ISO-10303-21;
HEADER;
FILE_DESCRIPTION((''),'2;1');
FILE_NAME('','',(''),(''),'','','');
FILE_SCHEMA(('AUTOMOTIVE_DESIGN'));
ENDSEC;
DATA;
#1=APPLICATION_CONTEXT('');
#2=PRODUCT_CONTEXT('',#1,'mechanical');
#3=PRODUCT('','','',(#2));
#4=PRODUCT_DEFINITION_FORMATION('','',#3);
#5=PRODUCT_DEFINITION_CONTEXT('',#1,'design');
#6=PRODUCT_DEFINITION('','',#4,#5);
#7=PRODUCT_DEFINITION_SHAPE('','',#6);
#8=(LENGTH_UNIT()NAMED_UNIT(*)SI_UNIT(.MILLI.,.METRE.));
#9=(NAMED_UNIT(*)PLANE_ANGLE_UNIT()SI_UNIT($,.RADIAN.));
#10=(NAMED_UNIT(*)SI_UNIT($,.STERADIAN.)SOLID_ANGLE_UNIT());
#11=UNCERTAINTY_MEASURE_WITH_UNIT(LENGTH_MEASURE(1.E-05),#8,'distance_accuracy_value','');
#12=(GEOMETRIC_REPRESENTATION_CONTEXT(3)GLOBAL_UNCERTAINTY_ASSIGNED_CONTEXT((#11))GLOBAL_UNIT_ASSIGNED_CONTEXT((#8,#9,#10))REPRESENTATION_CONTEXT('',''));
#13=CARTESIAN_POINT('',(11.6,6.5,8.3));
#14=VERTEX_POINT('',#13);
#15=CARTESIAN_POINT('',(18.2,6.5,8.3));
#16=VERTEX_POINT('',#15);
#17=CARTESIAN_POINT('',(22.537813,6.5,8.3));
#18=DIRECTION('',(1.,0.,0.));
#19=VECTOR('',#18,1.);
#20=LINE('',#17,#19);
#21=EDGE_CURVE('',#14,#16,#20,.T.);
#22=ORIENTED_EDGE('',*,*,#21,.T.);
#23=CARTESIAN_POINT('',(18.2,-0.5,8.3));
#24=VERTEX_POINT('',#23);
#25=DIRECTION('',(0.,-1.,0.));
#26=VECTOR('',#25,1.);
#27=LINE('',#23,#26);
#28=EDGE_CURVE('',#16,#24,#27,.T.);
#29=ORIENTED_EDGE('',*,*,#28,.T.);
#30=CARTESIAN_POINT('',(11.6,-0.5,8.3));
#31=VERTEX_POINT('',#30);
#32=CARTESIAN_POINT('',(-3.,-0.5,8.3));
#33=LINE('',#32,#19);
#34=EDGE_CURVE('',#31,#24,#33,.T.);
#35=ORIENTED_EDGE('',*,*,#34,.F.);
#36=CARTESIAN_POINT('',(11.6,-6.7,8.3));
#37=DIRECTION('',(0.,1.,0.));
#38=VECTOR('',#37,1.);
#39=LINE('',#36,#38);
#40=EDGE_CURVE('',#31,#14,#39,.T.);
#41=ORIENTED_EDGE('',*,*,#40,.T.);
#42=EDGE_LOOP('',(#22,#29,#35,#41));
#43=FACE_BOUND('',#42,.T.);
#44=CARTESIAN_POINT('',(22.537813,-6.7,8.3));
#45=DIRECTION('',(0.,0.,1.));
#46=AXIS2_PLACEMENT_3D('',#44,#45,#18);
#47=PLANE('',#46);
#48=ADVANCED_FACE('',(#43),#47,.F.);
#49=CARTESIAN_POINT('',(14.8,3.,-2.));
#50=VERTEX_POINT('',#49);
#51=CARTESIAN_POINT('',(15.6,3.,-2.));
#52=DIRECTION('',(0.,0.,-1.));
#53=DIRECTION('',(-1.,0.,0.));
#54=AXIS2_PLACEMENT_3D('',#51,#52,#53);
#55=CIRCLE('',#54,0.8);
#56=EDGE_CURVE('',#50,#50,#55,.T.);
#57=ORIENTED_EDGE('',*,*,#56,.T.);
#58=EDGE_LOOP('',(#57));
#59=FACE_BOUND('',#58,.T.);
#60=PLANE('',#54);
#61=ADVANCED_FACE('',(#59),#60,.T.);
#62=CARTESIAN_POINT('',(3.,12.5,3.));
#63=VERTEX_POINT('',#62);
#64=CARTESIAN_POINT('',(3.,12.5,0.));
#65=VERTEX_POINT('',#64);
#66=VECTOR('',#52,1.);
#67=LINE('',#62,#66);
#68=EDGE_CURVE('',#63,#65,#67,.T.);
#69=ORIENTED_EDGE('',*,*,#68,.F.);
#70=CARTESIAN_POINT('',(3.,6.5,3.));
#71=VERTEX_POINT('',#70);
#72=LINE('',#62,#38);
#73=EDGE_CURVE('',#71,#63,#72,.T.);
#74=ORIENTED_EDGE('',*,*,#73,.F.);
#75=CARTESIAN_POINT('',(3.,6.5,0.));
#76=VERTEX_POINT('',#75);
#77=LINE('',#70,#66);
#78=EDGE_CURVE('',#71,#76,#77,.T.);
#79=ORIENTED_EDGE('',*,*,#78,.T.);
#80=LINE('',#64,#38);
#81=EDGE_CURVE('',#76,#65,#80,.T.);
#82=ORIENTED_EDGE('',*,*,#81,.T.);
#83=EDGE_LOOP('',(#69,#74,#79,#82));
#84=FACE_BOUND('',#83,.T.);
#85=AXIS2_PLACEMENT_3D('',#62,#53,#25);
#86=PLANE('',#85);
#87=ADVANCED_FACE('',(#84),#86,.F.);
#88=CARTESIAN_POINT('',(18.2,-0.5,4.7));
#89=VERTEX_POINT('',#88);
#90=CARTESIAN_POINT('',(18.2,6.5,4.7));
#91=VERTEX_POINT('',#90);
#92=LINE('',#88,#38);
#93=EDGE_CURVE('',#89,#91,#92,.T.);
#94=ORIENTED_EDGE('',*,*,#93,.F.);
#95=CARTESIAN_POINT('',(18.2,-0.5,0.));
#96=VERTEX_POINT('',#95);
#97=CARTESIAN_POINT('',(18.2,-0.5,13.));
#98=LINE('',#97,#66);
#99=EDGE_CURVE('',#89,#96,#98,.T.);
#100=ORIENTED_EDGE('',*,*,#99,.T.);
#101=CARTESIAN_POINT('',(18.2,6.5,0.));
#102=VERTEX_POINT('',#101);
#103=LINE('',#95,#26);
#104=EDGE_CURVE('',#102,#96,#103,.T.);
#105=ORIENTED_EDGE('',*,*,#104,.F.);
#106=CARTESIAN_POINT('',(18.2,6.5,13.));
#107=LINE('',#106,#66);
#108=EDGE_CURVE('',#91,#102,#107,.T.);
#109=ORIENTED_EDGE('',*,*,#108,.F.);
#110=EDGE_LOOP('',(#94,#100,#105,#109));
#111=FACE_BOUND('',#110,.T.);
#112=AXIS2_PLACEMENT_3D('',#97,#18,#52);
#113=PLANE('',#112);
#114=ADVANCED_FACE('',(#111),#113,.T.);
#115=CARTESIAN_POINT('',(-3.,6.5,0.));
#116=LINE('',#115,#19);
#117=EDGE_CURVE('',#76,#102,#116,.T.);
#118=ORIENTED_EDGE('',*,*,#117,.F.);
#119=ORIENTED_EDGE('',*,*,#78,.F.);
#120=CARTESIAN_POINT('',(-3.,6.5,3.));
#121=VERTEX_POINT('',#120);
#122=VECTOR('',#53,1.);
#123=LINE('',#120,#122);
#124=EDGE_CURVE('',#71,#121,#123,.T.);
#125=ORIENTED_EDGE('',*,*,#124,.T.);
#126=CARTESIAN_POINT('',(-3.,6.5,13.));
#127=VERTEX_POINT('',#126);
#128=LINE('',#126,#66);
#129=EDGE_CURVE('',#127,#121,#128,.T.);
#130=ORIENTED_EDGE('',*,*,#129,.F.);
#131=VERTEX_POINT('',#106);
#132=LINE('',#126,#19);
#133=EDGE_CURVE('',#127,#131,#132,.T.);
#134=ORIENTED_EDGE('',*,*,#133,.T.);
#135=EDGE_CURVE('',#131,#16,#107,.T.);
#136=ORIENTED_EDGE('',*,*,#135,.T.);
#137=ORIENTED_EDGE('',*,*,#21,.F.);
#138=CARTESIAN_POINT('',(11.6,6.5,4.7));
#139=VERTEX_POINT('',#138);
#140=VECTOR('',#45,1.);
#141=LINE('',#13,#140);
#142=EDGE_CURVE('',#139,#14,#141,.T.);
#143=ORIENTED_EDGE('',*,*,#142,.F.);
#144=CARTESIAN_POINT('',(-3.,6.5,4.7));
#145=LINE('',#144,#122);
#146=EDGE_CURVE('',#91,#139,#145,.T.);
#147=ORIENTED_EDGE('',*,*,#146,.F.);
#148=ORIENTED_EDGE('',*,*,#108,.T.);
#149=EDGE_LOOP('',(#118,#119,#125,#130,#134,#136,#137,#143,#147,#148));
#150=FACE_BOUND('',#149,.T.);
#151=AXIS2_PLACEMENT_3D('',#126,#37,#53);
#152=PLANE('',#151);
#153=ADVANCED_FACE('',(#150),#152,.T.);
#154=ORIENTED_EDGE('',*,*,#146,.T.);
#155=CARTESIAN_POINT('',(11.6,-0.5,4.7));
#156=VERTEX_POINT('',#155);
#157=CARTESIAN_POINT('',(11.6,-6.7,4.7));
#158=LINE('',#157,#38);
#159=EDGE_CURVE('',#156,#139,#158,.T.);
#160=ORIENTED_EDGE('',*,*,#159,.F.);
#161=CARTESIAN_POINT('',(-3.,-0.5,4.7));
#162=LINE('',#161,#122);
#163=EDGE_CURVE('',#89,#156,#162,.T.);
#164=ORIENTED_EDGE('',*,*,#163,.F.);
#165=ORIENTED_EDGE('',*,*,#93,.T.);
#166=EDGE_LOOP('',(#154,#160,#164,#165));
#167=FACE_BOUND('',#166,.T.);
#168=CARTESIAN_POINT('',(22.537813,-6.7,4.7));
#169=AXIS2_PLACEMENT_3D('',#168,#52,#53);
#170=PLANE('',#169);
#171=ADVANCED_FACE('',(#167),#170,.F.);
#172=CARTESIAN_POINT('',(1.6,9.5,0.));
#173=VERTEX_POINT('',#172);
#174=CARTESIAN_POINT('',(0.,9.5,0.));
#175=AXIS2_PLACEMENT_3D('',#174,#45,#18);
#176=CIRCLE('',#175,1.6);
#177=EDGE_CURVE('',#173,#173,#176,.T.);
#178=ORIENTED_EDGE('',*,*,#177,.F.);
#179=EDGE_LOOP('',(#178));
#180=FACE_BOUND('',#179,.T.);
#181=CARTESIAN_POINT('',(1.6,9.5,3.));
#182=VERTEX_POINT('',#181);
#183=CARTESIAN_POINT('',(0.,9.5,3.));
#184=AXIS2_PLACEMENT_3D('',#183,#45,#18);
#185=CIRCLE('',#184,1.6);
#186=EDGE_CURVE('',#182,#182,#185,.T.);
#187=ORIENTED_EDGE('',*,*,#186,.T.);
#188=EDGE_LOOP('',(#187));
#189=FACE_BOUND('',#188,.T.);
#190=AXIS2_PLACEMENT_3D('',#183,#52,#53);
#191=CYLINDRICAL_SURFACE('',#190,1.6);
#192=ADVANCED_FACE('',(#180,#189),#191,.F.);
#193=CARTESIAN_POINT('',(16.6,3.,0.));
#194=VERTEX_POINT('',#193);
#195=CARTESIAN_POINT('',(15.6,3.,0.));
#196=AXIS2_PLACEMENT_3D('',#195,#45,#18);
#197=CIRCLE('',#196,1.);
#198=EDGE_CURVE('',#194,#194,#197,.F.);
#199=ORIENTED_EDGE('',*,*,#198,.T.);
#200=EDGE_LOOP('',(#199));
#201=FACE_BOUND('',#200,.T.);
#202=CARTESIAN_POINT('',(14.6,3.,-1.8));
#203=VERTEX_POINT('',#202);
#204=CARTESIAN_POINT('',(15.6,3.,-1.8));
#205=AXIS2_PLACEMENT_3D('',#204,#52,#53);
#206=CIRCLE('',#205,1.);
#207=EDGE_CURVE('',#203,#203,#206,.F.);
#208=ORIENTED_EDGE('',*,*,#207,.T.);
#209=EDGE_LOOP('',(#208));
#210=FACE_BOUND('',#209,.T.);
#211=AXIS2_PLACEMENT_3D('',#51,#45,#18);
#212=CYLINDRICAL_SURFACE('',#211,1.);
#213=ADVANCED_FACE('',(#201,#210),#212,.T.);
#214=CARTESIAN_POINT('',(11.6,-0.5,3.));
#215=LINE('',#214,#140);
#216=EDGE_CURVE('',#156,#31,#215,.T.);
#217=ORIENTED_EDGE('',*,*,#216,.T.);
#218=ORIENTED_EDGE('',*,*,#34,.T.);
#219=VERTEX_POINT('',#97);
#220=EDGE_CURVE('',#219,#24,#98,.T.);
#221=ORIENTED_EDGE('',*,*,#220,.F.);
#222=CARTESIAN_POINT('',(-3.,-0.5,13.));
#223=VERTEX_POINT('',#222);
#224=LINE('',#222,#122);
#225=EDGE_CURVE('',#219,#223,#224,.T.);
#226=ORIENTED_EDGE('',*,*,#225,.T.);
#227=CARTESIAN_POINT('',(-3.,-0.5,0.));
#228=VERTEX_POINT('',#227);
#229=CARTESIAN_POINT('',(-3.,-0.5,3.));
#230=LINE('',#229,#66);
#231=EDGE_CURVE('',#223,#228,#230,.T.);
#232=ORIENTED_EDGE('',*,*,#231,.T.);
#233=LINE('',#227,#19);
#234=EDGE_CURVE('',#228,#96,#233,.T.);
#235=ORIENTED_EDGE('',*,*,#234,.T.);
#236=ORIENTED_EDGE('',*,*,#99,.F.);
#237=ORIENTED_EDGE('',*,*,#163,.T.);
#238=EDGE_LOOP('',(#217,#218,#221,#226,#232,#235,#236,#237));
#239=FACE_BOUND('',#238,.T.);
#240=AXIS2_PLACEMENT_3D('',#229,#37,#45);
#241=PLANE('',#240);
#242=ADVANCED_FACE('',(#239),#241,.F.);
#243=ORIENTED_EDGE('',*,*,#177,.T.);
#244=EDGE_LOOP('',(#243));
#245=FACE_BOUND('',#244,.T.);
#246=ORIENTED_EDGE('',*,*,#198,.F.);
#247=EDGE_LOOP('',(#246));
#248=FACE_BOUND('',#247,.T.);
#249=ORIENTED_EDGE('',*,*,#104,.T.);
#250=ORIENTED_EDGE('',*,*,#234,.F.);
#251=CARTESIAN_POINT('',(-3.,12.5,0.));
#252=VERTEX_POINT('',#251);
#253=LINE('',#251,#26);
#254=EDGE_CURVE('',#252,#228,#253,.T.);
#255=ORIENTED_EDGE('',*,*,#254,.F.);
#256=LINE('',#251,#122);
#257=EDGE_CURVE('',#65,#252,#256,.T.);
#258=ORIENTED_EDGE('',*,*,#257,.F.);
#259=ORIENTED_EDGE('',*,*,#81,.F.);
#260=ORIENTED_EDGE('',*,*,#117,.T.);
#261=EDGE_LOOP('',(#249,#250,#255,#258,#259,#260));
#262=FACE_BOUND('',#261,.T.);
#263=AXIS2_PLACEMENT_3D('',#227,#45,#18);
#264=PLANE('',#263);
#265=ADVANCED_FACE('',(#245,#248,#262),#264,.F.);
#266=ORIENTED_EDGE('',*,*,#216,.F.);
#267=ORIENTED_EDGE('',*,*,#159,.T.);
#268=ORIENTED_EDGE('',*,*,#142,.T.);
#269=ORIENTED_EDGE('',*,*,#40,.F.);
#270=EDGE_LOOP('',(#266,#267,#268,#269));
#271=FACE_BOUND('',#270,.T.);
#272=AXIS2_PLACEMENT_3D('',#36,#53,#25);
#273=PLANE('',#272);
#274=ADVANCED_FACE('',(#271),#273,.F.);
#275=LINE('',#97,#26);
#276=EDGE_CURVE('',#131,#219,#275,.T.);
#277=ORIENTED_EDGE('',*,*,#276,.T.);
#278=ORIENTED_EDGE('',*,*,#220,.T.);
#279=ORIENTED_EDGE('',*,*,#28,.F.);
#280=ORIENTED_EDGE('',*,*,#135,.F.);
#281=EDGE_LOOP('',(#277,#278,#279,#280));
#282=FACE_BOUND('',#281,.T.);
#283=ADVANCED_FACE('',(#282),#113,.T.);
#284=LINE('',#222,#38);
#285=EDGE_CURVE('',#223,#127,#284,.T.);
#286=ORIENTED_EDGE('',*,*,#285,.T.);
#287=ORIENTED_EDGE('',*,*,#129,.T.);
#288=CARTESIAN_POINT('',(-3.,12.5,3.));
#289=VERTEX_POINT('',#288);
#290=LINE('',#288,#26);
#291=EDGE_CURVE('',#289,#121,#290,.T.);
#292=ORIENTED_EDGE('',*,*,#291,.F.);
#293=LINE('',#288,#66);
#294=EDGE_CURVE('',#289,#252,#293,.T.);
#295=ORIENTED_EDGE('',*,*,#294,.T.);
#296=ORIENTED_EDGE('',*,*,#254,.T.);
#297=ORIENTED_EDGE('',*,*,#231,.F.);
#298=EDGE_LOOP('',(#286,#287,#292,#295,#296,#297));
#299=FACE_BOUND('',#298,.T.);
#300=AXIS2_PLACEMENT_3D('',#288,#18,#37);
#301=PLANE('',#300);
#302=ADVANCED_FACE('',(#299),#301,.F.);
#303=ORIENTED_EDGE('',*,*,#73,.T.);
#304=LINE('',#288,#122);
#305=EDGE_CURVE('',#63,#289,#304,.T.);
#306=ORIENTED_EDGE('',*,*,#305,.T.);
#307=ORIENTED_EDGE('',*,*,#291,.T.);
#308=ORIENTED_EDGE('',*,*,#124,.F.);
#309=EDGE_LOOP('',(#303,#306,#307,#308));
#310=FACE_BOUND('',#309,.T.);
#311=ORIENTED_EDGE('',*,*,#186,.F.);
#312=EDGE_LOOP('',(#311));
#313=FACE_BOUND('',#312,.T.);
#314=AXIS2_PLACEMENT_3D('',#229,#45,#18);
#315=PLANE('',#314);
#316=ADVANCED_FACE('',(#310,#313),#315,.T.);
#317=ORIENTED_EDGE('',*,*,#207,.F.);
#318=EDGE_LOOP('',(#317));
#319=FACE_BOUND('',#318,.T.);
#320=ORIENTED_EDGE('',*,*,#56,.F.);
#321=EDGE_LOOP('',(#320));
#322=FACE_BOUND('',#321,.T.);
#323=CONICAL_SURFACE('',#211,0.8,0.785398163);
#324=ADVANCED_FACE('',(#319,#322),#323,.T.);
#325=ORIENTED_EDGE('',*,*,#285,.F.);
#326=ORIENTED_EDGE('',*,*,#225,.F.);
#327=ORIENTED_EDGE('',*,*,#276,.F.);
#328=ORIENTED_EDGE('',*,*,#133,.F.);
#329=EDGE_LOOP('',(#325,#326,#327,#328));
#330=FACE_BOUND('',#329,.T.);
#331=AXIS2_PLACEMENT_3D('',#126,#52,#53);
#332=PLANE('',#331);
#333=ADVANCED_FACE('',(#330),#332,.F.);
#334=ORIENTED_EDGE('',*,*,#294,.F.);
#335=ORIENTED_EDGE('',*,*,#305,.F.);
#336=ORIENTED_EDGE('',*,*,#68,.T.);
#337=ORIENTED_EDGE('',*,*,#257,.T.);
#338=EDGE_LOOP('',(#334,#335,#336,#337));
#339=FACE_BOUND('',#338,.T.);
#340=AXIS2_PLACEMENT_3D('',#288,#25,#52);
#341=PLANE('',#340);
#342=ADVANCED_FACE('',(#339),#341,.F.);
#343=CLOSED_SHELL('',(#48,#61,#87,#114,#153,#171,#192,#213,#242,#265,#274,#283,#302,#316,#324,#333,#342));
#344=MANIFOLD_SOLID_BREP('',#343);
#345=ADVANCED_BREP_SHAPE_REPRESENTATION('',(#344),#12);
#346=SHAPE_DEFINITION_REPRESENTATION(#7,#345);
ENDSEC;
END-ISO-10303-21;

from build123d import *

# Parameters (mm, degrees)
SKETCH_1_W          = 6
SKETCH_1_H          = 13
SKETCH_1_R          = 1.6
EXTRUDE_1_DEPTH     = 3
SKETCH_3_W          = 21.2
SKETCH_3_H          = 7
EXTRUDE_3_DEPTH     = 13
SKETCH_4_W          = 10.937812939
SKETCH_4_H          = 3.6
CUT_EXTRUDE_1_DEPTH = 13.2
SKETCH_6_R          = 1
EXTRUDE_4_DEPTH     = 2
CHAMFER_1_SIZE      = 0.2


with BuildPart() as part:
    # 草图1 → 拉伸1 (new body)
    with BuildSketch(Plane.XY):
        with Locations((0, 6)):
            Rectangle(SKETCH_1_W, SKETCH_1_H)
        with Locations((0, 9.5)):
            Circle(SKETCH_1_R, mode=Mode.SUBTRACT)
    extrude(amount=EXTRUDE_1_DEPTH)

    # 草图3 → 拉伸3 (add)
    with BuildSketch(Plane(origin=(0, 0, 0), x_dir=(-1, 0, 0), z_dir=(0, 0, -1))):
        with Locations((-7.6, 3)):
            Rectangle(SKETCH_3_W, SKETCH_3_H)
    extrude(amount=-EXTRUDE_3_DEPTH)

    # 草图4 → 切除-拉伸1 (cut)
    with BuildSketch(Plane(origin=(0, 6.5, 0), x_dir=(-1, 0, 0), z_dir=(0, 1, 0))):
        with Locations((-17.068906469, 6.5)):
            Rectangle(SKETCH_4_W, SKETCH_4_H)
    extrude(amount=-CUT_EXTRUDE_1_DEPTH, mode=Mode.SUBTRACT)

    # 草图6 → 拉伸4 (add)
    with BuildSketch(Plane(origin=(0, 0, 0), x_dir=(-1, 0, 0), z_dir=(0, 0, -1))):
        with Locations(Location((-15.6, 3, 0), (0, 0, 180))):
            Circle(SKETCH_6_R)
    extrude(amount=EXTRUDE_4_DEPTH)

    # 倒角1
    chamfer_1_edges = [part.edges().sort_by_distance(p)[0] for p in [
        (14.6, 3, -2),
    ]]
    chamfer(chamfer_1_edges, length=CHAMFER_1_SIZE)


solid = part.part
